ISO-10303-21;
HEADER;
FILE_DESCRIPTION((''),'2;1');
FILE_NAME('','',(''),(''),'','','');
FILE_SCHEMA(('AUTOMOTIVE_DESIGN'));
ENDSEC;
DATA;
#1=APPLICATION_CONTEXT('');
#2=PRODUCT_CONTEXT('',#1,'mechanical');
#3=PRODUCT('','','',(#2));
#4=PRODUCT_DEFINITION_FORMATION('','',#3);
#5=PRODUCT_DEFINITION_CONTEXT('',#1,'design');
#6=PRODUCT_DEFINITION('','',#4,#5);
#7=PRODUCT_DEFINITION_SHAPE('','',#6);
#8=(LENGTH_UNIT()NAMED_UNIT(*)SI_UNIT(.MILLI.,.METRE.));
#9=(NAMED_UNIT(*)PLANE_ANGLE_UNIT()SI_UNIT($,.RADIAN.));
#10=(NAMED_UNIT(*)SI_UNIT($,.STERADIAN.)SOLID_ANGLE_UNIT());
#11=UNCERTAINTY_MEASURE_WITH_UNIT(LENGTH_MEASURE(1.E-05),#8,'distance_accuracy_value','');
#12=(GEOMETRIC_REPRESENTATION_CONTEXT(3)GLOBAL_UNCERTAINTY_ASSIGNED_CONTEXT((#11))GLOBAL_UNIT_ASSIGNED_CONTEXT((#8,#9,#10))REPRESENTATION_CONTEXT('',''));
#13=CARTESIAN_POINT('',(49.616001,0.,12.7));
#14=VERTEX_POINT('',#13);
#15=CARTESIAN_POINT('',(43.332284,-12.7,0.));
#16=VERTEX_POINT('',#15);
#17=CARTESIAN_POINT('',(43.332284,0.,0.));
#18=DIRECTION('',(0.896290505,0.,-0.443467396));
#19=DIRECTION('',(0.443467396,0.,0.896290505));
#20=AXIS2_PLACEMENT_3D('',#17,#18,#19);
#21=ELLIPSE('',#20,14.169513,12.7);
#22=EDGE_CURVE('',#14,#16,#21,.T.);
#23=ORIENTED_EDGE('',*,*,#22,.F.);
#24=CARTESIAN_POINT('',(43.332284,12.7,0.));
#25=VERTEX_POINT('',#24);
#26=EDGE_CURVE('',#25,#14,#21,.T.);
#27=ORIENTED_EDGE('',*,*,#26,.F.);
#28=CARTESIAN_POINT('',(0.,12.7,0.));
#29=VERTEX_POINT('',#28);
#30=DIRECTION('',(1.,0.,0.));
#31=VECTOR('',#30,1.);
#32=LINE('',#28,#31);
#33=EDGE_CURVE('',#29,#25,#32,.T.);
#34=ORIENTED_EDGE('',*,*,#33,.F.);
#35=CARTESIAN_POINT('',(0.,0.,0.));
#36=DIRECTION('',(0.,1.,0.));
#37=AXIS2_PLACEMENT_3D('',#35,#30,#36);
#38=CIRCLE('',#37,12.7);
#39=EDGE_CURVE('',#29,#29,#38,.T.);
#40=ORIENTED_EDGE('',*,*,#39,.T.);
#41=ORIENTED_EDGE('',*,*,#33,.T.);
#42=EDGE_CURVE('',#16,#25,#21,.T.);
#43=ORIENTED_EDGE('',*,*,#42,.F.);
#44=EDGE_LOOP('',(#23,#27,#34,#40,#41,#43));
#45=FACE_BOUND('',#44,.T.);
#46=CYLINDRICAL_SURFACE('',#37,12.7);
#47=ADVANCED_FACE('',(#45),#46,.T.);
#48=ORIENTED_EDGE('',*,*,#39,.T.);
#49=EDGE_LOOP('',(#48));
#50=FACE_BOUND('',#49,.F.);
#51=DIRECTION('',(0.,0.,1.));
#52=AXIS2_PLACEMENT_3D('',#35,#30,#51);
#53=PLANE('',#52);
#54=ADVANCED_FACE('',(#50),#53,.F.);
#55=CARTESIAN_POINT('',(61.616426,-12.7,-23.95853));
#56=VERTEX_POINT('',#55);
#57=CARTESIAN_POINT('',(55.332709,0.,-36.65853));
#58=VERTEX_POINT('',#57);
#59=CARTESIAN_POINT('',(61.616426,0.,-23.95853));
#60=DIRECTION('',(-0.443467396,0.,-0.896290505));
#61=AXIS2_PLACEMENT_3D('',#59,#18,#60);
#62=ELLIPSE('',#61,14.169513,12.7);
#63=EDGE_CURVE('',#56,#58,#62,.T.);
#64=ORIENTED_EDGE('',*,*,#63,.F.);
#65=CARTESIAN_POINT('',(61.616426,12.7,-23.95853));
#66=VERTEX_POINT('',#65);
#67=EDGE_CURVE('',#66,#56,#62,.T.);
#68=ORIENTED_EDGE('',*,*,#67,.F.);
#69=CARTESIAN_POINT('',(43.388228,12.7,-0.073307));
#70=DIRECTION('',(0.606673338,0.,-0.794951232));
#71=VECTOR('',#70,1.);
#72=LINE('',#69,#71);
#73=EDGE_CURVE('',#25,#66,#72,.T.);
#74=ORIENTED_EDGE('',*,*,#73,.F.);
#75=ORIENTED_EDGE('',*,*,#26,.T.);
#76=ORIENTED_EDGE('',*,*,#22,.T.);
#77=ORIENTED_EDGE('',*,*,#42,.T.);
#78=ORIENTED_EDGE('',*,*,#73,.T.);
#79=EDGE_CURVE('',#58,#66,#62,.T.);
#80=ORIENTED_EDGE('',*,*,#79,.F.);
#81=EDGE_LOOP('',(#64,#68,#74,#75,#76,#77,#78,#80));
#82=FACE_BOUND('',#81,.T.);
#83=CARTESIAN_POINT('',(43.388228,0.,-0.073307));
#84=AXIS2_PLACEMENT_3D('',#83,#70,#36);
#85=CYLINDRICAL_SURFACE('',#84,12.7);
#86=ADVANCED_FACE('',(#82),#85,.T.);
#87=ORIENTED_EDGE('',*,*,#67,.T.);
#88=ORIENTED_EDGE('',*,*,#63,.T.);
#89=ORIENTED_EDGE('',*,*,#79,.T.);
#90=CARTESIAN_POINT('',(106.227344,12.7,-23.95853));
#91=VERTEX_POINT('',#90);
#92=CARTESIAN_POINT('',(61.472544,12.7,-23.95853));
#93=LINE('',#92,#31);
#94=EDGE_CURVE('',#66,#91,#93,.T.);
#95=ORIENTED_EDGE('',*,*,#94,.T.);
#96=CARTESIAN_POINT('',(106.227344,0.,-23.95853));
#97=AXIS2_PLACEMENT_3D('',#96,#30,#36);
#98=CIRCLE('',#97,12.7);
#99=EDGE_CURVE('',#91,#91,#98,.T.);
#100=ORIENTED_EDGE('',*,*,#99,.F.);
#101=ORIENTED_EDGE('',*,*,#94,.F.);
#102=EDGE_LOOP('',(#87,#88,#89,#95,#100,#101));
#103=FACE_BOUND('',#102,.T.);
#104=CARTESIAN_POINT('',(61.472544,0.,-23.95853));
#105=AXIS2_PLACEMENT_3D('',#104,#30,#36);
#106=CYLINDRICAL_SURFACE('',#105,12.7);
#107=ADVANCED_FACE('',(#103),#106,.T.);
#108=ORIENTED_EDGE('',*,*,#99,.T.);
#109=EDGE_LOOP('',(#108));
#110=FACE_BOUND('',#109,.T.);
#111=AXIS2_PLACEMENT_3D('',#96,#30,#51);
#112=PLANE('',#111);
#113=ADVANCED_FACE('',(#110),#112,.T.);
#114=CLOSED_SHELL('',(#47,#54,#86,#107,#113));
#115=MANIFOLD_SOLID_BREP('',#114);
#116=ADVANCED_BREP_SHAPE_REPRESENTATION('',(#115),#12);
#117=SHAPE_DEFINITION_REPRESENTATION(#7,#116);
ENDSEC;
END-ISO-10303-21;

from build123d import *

# Parameters (mm, degrees)
F0_R = 12.7


with BuildPart() as f2:
    # F2: sweep along a path in F1
    with BuildLine(Plane.XZ) as f2_path:
        Line((0.0258330274, -0.238586741), (43.2142354548, -0.238586741))
        Line((43.2142354548, -0.238586741), (61.4983774722, -24.1971164942))
        Line((61.4983774722, -24.1971164942), (106.2531774722, -24.1971164942))
    # F0 (on Right) → F2 (sweep)
    with BuildSketch(Plane.YZ):
        Circle(F0_R)
    sweep(path=f2_path.line, transition=Transition.RIGHT)


solid = f2.part
